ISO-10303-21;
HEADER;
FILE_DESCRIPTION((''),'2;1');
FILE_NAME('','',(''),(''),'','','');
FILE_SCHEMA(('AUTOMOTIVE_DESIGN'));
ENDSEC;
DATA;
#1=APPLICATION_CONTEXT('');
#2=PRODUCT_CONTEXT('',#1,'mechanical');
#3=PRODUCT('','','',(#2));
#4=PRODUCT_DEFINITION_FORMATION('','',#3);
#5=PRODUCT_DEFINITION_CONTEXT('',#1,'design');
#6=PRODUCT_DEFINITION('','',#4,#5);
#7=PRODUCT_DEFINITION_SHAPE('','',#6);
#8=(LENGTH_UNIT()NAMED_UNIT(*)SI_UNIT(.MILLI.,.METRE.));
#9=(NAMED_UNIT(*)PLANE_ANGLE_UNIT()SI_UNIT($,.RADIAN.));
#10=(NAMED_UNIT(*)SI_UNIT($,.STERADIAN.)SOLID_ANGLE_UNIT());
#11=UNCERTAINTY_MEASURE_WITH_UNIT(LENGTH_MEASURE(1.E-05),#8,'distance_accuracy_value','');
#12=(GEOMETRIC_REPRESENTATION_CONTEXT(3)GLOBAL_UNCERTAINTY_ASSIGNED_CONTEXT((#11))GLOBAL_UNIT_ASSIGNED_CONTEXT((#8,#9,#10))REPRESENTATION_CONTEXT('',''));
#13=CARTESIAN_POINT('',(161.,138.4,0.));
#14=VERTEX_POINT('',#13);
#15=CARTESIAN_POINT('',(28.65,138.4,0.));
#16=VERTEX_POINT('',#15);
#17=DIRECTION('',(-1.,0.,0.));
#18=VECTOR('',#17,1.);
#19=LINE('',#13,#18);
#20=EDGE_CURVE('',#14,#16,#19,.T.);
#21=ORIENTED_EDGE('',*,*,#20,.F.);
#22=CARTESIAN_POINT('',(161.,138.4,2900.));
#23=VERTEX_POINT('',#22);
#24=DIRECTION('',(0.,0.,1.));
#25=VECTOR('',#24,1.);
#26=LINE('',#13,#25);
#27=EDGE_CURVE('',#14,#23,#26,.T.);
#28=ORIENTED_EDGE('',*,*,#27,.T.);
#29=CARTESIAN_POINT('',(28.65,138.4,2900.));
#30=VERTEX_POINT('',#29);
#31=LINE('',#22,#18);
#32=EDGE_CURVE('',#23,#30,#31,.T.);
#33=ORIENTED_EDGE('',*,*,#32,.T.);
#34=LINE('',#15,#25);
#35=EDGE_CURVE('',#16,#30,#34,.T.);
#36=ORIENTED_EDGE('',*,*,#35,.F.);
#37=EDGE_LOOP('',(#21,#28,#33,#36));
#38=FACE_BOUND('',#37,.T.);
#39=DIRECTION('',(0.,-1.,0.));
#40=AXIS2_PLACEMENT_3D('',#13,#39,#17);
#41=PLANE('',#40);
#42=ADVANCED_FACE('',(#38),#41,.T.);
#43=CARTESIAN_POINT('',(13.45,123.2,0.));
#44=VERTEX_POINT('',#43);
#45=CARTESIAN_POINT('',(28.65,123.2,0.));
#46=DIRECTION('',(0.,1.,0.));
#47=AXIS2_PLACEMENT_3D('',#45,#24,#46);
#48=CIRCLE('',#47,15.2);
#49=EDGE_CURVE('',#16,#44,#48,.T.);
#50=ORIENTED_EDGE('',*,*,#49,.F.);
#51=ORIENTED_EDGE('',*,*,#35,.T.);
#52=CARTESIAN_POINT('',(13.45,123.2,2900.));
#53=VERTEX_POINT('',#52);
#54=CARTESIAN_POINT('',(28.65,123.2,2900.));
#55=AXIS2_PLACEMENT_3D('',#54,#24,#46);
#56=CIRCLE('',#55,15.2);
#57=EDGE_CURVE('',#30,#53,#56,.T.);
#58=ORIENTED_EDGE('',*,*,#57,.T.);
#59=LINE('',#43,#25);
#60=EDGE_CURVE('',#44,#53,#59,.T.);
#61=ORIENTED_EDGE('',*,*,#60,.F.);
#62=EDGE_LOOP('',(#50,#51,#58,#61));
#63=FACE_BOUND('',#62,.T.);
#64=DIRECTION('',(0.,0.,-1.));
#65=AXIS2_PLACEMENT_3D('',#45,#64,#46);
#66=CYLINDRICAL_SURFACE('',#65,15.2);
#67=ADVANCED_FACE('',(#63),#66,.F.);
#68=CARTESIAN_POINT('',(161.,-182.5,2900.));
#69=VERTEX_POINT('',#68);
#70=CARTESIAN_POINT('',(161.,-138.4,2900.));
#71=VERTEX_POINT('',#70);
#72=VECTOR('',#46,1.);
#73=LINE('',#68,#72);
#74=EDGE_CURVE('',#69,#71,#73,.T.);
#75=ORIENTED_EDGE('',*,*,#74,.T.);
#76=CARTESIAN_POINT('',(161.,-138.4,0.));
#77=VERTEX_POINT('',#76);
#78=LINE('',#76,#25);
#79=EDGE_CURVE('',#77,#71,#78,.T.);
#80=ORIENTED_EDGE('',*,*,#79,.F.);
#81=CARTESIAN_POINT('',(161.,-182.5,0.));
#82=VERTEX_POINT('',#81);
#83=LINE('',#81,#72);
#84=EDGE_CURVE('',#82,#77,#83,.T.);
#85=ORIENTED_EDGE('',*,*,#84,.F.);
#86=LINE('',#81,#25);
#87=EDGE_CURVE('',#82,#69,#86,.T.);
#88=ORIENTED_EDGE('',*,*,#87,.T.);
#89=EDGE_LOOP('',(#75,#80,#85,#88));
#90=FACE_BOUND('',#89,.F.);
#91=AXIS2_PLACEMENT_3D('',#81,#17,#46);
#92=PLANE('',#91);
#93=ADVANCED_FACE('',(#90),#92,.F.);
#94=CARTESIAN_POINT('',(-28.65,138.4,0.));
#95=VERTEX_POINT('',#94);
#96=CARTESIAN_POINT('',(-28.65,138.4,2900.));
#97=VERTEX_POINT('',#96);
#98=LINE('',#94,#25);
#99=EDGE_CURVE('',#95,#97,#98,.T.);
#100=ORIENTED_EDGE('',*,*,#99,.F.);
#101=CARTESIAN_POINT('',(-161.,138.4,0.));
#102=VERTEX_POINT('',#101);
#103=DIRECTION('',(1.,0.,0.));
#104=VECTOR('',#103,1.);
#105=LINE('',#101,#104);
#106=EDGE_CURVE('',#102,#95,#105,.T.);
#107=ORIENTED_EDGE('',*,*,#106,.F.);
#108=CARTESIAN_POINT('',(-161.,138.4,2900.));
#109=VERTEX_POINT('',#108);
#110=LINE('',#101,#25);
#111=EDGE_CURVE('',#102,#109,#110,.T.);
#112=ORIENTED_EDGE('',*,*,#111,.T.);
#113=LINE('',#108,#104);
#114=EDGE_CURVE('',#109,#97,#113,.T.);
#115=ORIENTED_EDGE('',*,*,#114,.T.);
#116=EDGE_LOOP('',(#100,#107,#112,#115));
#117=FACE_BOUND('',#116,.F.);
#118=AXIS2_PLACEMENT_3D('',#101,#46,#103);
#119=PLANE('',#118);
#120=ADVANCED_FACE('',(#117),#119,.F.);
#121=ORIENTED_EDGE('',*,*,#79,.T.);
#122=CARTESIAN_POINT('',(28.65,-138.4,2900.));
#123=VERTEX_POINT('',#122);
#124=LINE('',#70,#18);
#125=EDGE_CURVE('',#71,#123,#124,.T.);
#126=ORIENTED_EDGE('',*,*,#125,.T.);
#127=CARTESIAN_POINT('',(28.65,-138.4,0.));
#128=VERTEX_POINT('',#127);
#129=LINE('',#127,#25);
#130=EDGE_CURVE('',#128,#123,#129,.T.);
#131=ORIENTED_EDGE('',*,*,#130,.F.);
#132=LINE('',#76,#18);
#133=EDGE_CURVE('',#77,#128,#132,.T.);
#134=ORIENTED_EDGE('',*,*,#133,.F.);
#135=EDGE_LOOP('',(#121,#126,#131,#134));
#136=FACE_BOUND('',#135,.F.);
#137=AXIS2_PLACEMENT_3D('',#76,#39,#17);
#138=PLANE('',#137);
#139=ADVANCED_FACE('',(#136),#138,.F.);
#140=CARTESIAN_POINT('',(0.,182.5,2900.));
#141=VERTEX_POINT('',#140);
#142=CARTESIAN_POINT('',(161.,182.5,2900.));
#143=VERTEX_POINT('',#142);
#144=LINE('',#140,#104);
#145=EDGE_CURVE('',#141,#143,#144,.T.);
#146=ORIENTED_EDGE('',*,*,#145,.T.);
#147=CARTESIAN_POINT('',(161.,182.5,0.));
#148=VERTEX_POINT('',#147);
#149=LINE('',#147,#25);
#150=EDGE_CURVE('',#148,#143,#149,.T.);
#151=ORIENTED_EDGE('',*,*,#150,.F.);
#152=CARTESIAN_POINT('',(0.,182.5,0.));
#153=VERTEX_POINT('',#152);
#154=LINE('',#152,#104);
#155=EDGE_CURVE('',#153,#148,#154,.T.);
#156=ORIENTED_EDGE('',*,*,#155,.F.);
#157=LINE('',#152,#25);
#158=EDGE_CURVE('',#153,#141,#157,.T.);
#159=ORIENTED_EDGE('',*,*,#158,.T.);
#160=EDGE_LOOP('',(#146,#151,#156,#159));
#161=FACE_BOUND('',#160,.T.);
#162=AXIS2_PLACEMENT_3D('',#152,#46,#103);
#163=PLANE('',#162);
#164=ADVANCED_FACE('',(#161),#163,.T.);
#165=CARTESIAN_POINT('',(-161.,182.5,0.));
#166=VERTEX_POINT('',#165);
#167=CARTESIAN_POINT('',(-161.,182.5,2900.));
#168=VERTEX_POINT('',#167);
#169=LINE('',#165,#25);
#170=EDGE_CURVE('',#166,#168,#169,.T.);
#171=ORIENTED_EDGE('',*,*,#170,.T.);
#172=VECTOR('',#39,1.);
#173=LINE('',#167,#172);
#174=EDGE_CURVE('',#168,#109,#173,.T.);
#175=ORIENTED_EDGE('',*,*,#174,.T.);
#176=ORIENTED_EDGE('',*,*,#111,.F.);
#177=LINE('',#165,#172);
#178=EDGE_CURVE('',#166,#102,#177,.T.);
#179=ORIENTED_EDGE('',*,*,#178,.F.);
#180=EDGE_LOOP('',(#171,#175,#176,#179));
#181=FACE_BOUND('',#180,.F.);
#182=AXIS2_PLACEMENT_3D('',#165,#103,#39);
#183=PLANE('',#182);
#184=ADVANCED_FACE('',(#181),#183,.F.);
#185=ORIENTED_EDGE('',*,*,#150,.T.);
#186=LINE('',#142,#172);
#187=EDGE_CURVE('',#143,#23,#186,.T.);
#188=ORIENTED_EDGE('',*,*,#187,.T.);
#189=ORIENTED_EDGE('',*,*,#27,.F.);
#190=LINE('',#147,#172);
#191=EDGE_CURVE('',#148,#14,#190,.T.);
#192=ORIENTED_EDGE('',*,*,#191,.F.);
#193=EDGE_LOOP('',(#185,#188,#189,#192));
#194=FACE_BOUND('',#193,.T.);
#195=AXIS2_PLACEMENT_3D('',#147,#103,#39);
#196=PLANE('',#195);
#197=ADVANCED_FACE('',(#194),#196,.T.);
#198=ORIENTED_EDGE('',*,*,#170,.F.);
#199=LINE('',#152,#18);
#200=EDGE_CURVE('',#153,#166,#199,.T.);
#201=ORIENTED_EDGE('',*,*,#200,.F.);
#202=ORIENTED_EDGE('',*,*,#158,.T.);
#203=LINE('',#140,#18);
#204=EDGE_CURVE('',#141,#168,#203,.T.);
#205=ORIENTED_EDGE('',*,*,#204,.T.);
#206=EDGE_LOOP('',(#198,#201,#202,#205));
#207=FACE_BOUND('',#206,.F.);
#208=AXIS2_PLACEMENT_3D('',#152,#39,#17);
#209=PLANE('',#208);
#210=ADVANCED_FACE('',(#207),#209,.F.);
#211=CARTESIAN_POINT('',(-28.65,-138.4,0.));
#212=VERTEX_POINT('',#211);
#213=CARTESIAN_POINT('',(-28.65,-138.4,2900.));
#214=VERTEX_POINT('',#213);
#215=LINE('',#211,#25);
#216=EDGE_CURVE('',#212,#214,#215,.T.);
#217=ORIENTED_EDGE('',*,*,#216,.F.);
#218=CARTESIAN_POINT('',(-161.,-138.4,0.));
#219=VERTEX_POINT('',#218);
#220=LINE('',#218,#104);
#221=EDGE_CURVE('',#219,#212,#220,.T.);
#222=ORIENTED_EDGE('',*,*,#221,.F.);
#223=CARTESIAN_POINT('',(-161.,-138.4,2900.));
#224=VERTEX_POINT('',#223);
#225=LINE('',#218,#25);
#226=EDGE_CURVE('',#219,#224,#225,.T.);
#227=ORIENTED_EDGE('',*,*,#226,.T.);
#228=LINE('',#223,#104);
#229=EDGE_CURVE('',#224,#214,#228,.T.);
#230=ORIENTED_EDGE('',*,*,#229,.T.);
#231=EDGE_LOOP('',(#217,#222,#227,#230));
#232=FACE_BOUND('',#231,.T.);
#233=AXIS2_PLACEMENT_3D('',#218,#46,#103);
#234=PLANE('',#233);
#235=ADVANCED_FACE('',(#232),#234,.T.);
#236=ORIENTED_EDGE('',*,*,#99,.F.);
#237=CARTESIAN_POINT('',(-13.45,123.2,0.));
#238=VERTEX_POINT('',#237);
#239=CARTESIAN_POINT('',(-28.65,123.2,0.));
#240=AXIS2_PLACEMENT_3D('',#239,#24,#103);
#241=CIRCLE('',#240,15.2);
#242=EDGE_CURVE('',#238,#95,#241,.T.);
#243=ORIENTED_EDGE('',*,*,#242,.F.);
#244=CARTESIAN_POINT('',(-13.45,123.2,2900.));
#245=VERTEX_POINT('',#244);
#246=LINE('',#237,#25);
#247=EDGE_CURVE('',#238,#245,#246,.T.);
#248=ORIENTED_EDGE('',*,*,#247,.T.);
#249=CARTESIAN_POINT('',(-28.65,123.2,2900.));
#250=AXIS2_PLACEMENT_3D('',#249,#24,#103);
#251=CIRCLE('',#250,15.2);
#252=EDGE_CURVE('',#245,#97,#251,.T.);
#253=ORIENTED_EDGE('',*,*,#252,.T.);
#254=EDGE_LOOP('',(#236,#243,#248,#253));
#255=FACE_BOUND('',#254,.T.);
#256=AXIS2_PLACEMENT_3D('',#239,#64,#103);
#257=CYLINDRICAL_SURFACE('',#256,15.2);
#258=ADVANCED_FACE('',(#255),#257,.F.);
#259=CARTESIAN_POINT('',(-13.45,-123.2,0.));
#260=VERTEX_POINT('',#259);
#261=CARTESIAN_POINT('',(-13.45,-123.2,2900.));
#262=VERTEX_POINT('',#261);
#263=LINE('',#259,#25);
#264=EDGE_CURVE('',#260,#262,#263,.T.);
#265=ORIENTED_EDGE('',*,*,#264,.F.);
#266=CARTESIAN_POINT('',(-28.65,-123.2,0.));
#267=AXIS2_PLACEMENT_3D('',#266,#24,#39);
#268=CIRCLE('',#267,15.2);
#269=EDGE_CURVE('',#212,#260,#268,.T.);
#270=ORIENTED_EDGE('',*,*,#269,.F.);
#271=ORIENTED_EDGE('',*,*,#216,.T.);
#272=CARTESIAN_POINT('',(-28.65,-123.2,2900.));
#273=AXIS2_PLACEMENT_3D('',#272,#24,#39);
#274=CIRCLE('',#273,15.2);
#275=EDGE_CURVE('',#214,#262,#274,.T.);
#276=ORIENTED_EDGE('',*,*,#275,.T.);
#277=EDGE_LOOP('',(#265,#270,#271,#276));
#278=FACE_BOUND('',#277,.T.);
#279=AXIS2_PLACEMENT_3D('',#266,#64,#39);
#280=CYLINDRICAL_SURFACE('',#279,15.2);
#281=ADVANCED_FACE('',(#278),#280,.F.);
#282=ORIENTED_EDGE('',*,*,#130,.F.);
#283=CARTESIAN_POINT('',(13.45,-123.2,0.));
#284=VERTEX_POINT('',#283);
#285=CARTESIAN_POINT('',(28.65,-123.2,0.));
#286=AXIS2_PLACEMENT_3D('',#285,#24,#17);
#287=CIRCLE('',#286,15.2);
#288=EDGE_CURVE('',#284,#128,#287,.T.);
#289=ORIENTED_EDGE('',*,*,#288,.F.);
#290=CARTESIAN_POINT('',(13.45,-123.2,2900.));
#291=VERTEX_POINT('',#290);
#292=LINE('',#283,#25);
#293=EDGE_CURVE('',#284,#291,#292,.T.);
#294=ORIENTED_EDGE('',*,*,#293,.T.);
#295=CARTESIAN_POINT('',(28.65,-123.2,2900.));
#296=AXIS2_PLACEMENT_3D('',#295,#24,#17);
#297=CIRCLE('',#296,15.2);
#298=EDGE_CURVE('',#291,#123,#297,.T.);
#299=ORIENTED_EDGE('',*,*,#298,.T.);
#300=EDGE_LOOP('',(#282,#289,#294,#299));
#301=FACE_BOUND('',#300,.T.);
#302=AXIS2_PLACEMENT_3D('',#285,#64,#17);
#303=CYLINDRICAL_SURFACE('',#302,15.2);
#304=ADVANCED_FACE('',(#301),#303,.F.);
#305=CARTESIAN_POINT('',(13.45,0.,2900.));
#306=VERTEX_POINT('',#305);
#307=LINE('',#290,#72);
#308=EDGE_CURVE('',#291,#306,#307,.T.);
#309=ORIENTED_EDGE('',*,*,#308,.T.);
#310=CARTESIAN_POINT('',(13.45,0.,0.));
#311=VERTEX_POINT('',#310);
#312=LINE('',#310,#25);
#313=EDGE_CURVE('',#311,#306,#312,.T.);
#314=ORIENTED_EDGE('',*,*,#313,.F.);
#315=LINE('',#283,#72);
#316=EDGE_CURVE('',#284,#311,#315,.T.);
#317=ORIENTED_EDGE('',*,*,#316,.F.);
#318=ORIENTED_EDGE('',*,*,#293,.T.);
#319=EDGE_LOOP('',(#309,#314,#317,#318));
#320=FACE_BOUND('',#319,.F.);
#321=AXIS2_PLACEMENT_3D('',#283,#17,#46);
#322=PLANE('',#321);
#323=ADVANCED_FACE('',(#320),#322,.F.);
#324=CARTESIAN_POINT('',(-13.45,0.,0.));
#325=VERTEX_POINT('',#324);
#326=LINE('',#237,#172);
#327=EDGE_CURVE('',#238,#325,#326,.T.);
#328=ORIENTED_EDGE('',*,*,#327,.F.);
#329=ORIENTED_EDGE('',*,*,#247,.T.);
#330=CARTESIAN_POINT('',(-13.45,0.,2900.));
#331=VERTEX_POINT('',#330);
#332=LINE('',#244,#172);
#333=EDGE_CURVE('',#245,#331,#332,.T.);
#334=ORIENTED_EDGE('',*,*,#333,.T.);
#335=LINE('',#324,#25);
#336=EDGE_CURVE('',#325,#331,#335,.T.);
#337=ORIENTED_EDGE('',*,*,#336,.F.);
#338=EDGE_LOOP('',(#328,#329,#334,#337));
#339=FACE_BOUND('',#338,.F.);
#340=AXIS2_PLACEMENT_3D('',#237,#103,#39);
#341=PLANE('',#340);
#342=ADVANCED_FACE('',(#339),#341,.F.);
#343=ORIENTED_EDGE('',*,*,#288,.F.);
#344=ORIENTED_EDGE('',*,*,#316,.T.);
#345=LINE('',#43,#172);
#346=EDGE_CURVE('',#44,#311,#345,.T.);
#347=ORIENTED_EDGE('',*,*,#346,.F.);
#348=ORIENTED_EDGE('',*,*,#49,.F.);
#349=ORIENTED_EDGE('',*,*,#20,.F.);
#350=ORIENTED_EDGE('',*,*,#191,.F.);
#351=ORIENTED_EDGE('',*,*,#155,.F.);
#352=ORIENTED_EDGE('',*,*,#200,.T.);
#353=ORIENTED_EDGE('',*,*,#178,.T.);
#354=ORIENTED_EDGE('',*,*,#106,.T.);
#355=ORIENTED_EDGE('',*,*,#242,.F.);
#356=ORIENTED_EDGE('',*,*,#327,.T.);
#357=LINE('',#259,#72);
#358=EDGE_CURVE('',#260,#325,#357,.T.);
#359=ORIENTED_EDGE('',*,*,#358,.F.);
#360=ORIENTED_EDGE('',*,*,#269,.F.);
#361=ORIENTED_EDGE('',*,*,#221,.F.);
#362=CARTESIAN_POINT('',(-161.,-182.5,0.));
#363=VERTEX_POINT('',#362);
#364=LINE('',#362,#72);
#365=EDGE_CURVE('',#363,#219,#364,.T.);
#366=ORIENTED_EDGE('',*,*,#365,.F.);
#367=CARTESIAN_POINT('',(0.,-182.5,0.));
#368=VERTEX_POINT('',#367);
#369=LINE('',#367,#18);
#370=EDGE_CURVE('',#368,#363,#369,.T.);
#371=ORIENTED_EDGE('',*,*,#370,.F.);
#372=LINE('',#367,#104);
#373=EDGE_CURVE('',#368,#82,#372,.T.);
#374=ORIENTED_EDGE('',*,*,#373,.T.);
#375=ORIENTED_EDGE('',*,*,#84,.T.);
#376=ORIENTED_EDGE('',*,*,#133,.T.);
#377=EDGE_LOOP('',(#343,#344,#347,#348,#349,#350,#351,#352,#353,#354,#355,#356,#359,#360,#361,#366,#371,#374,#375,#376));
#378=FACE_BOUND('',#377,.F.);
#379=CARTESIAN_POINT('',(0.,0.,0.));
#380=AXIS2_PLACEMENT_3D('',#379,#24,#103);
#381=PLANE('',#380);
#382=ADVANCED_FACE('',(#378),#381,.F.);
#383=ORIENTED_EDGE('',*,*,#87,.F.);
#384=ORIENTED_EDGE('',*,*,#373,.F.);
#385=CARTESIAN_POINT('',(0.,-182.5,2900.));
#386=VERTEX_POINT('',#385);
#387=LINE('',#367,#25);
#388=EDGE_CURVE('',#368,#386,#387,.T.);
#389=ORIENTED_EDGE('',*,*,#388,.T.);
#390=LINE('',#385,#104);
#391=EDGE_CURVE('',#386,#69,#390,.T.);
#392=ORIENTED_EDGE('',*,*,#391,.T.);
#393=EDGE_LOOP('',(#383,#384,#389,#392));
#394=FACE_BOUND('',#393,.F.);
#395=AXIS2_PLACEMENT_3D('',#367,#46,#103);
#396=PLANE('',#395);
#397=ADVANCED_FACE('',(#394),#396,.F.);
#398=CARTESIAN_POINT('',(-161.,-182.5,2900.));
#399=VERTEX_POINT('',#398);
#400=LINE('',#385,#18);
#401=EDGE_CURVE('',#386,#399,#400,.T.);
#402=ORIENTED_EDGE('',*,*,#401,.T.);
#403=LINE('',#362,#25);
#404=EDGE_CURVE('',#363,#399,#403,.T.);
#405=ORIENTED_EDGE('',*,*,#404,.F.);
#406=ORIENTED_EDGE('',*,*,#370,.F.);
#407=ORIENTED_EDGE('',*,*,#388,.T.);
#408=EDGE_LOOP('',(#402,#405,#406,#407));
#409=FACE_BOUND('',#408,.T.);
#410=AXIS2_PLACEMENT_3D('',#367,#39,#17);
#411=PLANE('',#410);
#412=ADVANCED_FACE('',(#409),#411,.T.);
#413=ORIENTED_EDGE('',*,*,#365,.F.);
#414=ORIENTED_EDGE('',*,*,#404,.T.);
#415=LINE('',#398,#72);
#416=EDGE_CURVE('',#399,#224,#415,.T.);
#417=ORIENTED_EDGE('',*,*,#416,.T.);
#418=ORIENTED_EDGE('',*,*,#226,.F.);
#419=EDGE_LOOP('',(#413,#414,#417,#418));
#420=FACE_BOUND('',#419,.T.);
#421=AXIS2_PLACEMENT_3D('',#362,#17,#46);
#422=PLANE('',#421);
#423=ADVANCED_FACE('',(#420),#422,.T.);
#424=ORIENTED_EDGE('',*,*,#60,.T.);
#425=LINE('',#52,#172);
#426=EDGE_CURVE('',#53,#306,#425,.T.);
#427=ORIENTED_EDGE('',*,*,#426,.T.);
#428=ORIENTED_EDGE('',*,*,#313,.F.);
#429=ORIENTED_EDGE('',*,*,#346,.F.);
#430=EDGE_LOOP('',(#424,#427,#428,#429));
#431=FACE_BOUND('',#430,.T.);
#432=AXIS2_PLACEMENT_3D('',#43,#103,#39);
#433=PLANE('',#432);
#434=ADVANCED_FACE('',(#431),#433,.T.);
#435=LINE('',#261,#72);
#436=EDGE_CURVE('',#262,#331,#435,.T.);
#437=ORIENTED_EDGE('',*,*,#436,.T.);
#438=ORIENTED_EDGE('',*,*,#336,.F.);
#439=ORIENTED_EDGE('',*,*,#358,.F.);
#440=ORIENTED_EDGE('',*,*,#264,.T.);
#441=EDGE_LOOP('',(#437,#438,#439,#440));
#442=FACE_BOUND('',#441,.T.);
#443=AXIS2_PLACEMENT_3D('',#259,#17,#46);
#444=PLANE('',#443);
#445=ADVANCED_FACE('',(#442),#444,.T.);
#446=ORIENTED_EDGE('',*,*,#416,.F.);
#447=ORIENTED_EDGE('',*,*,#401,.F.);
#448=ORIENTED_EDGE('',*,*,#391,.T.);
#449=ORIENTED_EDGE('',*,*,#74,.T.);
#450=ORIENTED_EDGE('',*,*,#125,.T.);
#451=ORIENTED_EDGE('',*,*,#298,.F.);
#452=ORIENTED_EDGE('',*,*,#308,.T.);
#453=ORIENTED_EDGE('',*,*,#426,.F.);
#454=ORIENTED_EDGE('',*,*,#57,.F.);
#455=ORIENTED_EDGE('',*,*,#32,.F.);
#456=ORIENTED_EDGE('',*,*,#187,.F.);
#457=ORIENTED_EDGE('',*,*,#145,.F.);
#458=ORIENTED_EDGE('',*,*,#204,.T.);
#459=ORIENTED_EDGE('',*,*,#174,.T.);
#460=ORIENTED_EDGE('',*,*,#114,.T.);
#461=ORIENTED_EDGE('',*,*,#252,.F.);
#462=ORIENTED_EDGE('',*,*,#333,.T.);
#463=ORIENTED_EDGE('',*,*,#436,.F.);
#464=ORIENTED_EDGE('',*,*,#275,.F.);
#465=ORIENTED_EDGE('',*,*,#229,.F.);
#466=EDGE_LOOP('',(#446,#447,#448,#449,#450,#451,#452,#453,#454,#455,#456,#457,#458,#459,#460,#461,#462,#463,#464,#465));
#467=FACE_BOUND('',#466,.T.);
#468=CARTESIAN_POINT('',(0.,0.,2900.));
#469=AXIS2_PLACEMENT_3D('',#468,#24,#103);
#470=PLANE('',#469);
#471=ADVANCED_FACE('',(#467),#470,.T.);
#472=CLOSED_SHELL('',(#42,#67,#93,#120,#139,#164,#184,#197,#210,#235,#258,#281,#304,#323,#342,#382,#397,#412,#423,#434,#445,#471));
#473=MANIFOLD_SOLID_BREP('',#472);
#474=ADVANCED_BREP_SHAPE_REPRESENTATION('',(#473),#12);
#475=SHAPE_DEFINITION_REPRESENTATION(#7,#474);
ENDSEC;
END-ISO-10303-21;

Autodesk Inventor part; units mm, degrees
ref_plane "YZ Plane" through (0, 0, 0) normal (1, 0, 0) x (0, 1, 0)
ref_plane "Start plane" through (0, 0, 0) normal (0, 0, 1) x (1, 0, 0)
ref_plane "End plane" through (0, 0, 2900) normal (0, 0, 1) x (1, 0, 0)
sketch "Sketch" plane through (0, 0, 0) normal (0, 0, 1) x (1, 0, 0)
  line L0 (-161, -182.5) -> (-161, -138.4)
  line L1 (-161, -138.4) -> (-28.65, -138.4)
  line L2 (-13.45, -123.2) -> (-13.45, 0)
  line L3 (-13.45, 0) -> (0, 0) construction
  line L4 (0, 0) -> (0, -182.5) construction
  line L5 (0, -182.5) -> (-161, -182.5)
  line L6 (-60, 0) -> (80, 0) construction
  line L7 (0, -60) -> (0, 80) construction
  line L8 (161, -182.5) -> (161, -138.4)
  line L9 (161, -138.4) -> (28.65, -138.4)
  line L10 (13.45, -123.2) -> (13.45, 0)
  line L11 (13.45, 0) -> (0, 0) construction
  line L12 (0, -182.5) -> (161, -182.5)
  line L13 (-161, 182.5) -> (-161, 138.4)
  line L14 (-161, 138.4) -> (-28.65, 138.4)
  line L15 (-13.45, 123.2) -> (-13.45, 0)
  line L16 (0, 182.5) -> (-161, 182.5)
  line L17 (161, 182.5) -> (161, 138.4)
  line L18 (161, 138.4) -> (28.65, 138.4)
  line L19 (0, 182.5) -> (161, 182.5)
  line L20 (13.45, 123.2) -> (13.45, 0)
  arc A0 (-13.45, 123.2) -> (-28.65, 138.4) centre (-28.65, 123.2) ccw
  arc A1 (28.65, 138.4) -> (13.45, 123.2) centre (28.65, 123.2) ccw
  arc A2 (13.45, -123.2) -> (28.65, -138.4) centre (28.65, -123.2) ccw
  arc A3 (-28.65, -138.4) -> (-13.45, -123.2) centre (-28.65, -123.2) ccw
  line L21 (0, 108) -> (0, -88) construction
  line L22 (-88, 0) -> (108, 0) construction
  point P0 (-13.45, -138.4)
  point P1 (13.45, -138.4)
  point P2 (-13.45, 138.4)
  point P3 (13.45, 138.4)
  dimension "d1" = 182.5
  dimension "d2" = 44.1
  dimension "d3" = 161
  dimension "d4" = 13.45
  dimension "d10" = 15.2
extrude "Body" add sketch "Sketch" along normal up to surface (2900 mm away) from surface at 0
sketch "Sketch4" plane through (0, 0, 0) normal (0, 0, 1) x (1, 0, 0)
  line L0 (0, 0) -> (10, 0)
ref_plane "Work Plane3" through (0, 0, 0) normal (0, -1, 0) x (1, 0, 0)
sketch "Sketch5" plane through (0, 0, 0) normal (0, -1, 0) x (1, 0, 0)
  line L0 (-2, 0) -> (12, 0) projected
  line L1 (-2, 2900) -> (12, 2900) projected
  dimension "d14" = 2900
equation "\"d1\" = 0.5 * G_H"
equation "\"d2\" = G_T1"
equation "\"d3\" = 0.5 * G_W"
equation "\"d4\" = 0.5 * G_T"
equation "\"d10\" = G_IR"
equation "\"d5\" = G_L"
equation "\"G_W\" = 322"
equation "\"G_H\" = 365"
equation "\"G_T\" = 26.9"
equation "\"G_T1\" = 44.1"
equation "\"G_IR\" = 15.2"
equation "\"G_L\" = d14"
equation "\"G_OFFSET_START\" = 0"
equation "\"G_OFFSET_END\" = 0"
properties part number "AS 3679 - 310 UC - 283 - 2900" material "Steel, Mild"
